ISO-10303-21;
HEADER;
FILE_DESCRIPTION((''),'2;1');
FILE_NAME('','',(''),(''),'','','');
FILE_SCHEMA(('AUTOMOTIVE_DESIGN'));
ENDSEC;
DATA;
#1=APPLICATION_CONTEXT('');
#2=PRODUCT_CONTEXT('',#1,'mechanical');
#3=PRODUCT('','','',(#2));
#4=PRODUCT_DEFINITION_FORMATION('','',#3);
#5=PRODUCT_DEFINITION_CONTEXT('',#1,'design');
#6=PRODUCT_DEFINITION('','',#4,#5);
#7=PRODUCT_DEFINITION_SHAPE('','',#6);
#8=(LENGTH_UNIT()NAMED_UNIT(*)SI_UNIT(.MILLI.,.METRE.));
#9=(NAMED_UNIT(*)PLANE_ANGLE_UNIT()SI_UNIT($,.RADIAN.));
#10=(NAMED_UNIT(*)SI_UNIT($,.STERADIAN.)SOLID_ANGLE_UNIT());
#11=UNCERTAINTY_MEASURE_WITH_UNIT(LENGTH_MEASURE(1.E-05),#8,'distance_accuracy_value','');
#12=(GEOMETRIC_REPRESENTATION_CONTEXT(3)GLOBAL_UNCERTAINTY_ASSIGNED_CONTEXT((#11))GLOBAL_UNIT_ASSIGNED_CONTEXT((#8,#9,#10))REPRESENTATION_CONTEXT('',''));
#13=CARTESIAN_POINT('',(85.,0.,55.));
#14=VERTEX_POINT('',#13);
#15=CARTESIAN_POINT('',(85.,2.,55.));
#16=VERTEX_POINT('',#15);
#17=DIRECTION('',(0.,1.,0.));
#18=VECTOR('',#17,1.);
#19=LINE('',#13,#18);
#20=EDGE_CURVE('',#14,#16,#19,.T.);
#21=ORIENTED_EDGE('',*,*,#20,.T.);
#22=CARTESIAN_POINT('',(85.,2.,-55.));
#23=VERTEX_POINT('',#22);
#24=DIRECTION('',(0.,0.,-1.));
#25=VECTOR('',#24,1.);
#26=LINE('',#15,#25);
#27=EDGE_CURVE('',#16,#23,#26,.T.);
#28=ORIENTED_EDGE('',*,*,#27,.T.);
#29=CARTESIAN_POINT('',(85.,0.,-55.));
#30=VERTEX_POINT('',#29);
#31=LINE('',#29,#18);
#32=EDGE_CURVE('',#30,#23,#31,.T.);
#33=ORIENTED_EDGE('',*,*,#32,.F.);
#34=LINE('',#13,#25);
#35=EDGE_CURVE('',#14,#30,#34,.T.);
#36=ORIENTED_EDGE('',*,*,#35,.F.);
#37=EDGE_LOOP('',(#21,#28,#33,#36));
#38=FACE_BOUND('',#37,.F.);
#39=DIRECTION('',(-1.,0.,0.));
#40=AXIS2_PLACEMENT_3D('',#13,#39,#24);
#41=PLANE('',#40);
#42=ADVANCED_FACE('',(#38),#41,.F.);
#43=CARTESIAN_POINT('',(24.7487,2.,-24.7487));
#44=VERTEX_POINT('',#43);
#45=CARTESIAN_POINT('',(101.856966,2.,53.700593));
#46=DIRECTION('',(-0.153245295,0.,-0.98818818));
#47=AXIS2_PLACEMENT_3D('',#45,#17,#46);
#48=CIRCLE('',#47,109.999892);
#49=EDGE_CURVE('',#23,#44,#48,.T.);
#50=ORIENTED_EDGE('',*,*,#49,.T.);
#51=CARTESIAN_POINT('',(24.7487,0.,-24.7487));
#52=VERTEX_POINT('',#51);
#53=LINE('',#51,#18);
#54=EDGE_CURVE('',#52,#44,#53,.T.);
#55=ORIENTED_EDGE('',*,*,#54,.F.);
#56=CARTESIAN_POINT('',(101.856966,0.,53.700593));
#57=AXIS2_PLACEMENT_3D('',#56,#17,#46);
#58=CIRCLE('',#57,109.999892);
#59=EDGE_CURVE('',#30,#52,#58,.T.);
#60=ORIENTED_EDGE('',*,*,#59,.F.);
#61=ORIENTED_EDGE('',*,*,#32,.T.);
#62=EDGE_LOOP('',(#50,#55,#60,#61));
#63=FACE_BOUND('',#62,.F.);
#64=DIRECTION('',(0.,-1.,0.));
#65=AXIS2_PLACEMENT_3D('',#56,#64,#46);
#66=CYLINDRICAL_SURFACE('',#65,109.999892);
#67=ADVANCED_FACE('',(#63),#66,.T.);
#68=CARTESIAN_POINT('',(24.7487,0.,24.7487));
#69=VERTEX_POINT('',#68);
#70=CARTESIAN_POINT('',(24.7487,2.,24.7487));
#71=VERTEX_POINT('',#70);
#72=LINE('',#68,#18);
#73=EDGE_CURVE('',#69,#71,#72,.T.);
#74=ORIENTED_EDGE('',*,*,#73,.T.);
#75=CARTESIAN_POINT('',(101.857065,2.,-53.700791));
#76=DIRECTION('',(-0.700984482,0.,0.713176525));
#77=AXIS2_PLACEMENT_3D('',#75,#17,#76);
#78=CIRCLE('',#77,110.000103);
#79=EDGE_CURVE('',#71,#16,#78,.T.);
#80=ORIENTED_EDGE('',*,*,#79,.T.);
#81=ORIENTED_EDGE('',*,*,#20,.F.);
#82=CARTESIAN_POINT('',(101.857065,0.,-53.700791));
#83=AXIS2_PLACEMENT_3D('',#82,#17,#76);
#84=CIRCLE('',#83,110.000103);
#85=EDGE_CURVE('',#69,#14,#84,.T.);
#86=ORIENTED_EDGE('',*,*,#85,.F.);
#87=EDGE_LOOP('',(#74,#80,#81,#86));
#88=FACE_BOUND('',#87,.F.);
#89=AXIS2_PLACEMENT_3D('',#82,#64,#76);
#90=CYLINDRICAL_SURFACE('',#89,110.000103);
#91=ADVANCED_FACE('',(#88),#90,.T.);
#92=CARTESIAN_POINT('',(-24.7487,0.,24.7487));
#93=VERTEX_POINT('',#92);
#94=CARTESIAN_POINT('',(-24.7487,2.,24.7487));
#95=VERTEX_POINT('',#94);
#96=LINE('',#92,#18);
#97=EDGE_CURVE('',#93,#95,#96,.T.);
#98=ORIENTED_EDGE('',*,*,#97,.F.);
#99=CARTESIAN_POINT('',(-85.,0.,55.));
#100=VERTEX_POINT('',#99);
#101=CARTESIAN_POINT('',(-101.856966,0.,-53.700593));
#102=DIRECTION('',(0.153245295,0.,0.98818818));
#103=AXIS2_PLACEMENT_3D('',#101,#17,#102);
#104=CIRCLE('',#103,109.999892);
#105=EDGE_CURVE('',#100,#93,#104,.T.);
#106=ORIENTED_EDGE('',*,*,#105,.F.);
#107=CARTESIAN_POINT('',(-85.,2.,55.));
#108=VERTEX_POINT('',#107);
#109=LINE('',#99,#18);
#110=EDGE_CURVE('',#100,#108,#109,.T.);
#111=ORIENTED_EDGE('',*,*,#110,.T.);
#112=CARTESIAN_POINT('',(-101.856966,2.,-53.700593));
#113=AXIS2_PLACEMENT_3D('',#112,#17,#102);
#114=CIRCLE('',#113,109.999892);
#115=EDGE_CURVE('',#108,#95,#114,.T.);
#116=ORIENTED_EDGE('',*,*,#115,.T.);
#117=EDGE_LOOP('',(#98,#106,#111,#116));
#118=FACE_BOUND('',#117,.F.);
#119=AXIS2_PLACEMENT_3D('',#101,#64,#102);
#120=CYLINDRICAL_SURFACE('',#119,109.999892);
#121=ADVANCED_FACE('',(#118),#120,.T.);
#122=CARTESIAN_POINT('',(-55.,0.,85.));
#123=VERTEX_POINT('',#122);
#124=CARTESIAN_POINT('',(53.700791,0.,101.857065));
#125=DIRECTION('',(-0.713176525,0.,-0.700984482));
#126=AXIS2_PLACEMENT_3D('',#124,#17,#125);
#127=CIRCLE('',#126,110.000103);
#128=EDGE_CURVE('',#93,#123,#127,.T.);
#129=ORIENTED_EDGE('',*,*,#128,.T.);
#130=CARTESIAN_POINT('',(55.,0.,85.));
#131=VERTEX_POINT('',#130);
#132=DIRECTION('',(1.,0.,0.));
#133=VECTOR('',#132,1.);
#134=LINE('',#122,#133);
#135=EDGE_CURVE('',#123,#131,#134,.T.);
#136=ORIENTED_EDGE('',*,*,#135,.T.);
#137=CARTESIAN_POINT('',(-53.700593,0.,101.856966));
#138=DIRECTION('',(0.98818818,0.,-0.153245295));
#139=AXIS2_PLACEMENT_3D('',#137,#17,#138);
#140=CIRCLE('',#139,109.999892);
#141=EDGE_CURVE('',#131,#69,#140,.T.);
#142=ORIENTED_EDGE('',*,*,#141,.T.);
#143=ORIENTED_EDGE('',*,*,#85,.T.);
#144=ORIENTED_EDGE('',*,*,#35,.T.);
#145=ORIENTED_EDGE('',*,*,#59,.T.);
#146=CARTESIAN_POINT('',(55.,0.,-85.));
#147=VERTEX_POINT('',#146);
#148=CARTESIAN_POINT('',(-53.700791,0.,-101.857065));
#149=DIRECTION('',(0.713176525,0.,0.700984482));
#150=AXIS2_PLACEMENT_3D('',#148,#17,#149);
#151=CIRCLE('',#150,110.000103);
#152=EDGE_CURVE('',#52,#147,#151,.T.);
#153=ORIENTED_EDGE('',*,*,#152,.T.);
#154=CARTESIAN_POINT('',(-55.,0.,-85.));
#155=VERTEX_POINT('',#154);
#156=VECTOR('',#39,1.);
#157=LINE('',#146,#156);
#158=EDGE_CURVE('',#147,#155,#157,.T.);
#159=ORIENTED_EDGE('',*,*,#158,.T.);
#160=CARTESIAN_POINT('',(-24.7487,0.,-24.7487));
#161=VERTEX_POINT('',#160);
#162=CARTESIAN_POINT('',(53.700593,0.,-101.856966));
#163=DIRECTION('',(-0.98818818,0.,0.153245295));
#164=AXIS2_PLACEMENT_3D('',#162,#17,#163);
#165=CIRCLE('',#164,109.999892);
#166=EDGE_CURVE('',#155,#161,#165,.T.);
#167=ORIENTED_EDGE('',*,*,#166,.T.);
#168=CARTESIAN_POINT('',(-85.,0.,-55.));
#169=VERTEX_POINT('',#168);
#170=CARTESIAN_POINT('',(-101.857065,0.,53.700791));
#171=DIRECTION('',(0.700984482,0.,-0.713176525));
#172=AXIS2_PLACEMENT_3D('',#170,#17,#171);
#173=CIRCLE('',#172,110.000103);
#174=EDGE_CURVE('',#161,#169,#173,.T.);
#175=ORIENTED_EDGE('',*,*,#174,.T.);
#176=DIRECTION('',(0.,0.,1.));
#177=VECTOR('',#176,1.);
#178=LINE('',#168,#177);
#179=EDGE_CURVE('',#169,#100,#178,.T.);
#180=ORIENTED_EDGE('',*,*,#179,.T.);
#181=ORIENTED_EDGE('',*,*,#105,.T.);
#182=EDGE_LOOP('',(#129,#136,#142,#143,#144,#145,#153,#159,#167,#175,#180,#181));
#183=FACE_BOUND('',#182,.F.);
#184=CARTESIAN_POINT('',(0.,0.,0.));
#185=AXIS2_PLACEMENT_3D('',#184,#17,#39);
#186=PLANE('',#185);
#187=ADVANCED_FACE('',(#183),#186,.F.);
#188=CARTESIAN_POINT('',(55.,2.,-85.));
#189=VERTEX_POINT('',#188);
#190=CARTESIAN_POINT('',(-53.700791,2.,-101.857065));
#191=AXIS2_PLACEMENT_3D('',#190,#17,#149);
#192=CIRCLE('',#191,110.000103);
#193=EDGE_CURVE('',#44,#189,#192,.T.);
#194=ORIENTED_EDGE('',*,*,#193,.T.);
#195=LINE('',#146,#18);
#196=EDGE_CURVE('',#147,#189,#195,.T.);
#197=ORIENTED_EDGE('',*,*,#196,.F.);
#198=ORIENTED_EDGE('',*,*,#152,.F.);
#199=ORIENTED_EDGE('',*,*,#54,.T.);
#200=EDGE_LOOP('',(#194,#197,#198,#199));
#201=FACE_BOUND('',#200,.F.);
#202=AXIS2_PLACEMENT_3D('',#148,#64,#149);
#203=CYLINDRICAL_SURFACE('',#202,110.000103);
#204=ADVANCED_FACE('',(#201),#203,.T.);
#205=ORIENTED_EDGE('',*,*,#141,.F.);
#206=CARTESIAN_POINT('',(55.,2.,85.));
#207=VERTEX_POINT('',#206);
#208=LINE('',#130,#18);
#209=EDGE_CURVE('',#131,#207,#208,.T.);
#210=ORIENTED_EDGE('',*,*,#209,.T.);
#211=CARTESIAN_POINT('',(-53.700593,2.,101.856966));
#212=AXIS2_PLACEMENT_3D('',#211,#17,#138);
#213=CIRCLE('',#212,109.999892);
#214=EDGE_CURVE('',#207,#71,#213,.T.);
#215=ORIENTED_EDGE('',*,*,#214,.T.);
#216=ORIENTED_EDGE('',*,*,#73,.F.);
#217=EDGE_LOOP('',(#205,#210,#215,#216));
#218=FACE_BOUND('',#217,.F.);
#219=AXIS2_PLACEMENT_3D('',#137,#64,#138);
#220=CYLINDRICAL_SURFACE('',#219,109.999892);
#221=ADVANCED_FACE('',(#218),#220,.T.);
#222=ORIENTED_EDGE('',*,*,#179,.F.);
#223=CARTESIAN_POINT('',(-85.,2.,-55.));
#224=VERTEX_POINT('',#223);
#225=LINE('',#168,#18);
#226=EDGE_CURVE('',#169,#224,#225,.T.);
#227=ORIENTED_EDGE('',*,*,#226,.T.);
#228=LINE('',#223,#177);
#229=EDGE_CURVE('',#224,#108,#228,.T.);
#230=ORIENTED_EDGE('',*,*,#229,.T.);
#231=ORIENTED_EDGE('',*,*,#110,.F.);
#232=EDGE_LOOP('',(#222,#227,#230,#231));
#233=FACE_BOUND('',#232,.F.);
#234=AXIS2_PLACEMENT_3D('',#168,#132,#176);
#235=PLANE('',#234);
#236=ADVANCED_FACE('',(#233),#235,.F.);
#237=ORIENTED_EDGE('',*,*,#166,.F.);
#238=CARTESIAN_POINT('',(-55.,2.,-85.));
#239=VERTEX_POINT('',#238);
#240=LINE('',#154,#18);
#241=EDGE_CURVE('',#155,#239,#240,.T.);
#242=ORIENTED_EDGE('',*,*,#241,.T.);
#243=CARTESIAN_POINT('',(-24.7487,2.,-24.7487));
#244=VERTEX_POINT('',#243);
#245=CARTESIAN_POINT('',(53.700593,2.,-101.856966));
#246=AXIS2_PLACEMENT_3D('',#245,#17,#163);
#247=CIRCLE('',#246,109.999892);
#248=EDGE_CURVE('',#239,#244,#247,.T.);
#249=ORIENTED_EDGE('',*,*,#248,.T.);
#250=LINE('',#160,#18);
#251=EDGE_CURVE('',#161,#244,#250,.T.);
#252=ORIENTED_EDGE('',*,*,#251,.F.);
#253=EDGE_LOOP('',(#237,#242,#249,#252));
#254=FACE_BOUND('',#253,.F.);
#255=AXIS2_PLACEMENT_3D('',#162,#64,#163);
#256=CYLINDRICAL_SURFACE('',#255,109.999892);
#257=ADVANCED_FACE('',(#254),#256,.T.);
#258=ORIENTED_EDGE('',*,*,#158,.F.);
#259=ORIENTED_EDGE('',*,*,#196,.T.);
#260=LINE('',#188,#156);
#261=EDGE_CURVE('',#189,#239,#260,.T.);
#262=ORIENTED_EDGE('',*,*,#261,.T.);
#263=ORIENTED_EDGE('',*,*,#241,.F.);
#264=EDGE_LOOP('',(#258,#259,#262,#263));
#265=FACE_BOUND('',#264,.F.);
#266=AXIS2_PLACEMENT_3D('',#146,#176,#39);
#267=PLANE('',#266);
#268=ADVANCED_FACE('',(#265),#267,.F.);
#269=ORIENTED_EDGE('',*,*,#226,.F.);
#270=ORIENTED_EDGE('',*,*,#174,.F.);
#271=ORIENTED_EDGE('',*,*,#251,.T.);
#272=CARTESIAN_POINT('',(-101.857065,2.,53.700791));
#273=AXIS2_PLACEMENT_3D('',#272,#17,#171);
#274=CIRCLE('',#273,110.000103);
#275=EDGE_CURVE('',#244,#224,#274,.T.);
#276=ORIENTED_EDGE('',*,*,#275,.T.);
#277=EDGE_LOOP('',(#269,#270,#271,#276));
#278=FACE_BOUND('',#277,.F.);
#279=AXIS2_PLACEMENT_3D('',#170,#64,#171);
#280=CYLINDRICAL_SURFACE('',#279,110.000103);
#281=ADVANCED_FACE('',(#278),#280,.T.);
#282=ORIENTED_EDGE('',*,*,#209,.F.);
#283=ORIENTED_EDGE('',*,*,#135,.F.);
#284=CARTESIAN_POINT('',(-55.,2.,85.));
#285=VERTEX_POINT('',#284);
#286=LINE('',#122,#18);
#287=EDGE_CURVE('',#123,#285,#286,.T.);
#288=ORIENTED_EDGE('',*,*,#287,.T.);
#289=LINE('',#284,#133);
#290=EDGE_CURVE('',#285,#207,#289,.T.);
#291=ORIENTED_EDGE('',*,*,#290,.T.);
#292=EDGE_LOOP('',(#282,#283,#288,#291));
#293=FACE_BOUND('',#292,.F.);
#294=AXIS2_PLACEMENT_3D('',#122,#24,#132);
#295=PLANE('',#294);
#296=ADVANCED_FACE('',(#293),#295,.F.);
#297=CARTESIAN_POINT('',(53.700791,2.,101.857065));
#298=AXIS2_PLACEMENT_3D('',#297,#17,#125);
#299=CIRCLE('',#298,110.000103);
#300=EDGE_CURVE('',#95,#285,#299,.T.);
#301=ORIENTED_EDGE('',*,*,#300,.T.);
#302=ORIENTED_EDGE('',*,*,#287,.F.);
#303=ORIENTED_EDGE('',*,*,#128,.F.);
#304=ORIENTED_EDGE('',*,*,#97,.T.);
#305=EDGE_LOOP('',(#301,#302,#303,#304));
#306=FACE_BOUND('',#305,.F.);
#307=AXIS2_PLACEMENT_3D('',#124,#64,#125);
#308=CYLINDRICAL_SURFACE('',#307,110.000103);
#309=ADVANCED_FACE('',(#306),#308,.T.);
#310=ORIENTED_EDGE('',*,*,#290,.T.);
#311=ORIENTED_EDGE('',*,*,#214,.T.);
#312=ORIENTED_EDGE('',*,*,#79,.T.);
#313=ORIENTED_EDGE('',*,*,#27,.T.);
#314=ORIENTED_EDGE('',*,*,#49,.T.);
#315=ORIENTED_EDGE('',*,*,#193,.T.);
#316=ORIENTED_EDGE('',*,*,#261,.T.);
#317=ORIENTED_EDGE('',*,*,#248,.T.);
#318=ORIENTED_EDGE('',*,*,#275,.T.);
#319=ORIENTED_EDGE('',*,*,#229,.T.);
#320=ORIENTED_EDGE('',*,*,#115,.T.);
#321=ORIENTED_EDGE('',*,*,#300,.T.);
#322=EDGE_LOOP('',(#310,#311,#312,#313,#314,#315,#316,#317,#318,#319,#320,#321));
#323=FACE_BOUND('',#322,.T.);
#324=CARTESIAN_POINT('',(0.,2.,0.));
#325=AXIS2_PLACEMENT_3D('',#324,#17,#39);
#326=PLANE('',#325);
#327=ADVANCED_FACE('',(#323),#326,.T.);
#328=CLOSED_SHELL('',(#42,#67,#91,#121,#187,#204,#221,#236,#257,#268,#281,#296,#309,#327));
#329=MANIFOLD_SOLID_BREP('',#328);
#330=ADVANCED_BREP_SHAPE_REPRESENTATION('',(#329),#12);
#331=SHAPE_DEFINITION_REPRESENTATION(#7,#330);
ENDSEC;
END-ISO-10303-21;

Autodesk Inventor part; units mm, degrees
ref_plane "YZ Plane" through (0, 0, 0) normal (1, 0, 0) x (0, 1, 0)
ref_plane "XZ Plane" through (0, 0, 0) normal (0, 1, 0) x (-1, 0, 0)
ref_plane "XY Plane" through (0, 0, 0) normal (0, 0, 1) x (1, 0, 0)
sketch "Boceto1" plane through (0, 0, 0) normal (0, 1, 0) x (-1, 0, 0)
  circle A0 centre (0, 0) radius 35
  line L0 (-85, 55) -> (-85, -55)
  line L1 (-55, -85) -> (55, -85)
  line L2 (85, -55) -> (85, 55)
  line L3 (55, 85) -> (-55, 85)
  arc A1 (24.7487, 24.7487) -> (55, 85) centre (-53.7007, 101.857) ccw
  arc A2 (85, 55) -> (24.7487, 24.7487) centre (101.857, -53.7007) ccw
  arc A3 (24.7487, -24.7487) -> (85, -55) centre (101.857, 53.7007) ccw
  arc A4 (55, -85) -> (24.7487, -24.7487) centre (-53.7007, -101.857) ccw
  arc A5 (-24.7487, -24.7487) -> (-55, -85) centre (53.7007, -101.857) ccw
  arc A6 (-85, -55) -> (-24.7487, -24.7487) centre (-101.857, 53.7007) ccw
  arc A7 (-24.7487, 24.7487) -> (-85, 55) centre (-101.857, -53.7007) ccw
  arc A8 (-55, 85) -> (-24.7487, 24.7487) centre (53.7007, 101.857) ccw
  dimension "d3" = 70
extrude "Extrusión1" add sketch "Boceto1" along normal blind 2
properties part number "IMPRESION SIN PINES" material "Plástico PET"
